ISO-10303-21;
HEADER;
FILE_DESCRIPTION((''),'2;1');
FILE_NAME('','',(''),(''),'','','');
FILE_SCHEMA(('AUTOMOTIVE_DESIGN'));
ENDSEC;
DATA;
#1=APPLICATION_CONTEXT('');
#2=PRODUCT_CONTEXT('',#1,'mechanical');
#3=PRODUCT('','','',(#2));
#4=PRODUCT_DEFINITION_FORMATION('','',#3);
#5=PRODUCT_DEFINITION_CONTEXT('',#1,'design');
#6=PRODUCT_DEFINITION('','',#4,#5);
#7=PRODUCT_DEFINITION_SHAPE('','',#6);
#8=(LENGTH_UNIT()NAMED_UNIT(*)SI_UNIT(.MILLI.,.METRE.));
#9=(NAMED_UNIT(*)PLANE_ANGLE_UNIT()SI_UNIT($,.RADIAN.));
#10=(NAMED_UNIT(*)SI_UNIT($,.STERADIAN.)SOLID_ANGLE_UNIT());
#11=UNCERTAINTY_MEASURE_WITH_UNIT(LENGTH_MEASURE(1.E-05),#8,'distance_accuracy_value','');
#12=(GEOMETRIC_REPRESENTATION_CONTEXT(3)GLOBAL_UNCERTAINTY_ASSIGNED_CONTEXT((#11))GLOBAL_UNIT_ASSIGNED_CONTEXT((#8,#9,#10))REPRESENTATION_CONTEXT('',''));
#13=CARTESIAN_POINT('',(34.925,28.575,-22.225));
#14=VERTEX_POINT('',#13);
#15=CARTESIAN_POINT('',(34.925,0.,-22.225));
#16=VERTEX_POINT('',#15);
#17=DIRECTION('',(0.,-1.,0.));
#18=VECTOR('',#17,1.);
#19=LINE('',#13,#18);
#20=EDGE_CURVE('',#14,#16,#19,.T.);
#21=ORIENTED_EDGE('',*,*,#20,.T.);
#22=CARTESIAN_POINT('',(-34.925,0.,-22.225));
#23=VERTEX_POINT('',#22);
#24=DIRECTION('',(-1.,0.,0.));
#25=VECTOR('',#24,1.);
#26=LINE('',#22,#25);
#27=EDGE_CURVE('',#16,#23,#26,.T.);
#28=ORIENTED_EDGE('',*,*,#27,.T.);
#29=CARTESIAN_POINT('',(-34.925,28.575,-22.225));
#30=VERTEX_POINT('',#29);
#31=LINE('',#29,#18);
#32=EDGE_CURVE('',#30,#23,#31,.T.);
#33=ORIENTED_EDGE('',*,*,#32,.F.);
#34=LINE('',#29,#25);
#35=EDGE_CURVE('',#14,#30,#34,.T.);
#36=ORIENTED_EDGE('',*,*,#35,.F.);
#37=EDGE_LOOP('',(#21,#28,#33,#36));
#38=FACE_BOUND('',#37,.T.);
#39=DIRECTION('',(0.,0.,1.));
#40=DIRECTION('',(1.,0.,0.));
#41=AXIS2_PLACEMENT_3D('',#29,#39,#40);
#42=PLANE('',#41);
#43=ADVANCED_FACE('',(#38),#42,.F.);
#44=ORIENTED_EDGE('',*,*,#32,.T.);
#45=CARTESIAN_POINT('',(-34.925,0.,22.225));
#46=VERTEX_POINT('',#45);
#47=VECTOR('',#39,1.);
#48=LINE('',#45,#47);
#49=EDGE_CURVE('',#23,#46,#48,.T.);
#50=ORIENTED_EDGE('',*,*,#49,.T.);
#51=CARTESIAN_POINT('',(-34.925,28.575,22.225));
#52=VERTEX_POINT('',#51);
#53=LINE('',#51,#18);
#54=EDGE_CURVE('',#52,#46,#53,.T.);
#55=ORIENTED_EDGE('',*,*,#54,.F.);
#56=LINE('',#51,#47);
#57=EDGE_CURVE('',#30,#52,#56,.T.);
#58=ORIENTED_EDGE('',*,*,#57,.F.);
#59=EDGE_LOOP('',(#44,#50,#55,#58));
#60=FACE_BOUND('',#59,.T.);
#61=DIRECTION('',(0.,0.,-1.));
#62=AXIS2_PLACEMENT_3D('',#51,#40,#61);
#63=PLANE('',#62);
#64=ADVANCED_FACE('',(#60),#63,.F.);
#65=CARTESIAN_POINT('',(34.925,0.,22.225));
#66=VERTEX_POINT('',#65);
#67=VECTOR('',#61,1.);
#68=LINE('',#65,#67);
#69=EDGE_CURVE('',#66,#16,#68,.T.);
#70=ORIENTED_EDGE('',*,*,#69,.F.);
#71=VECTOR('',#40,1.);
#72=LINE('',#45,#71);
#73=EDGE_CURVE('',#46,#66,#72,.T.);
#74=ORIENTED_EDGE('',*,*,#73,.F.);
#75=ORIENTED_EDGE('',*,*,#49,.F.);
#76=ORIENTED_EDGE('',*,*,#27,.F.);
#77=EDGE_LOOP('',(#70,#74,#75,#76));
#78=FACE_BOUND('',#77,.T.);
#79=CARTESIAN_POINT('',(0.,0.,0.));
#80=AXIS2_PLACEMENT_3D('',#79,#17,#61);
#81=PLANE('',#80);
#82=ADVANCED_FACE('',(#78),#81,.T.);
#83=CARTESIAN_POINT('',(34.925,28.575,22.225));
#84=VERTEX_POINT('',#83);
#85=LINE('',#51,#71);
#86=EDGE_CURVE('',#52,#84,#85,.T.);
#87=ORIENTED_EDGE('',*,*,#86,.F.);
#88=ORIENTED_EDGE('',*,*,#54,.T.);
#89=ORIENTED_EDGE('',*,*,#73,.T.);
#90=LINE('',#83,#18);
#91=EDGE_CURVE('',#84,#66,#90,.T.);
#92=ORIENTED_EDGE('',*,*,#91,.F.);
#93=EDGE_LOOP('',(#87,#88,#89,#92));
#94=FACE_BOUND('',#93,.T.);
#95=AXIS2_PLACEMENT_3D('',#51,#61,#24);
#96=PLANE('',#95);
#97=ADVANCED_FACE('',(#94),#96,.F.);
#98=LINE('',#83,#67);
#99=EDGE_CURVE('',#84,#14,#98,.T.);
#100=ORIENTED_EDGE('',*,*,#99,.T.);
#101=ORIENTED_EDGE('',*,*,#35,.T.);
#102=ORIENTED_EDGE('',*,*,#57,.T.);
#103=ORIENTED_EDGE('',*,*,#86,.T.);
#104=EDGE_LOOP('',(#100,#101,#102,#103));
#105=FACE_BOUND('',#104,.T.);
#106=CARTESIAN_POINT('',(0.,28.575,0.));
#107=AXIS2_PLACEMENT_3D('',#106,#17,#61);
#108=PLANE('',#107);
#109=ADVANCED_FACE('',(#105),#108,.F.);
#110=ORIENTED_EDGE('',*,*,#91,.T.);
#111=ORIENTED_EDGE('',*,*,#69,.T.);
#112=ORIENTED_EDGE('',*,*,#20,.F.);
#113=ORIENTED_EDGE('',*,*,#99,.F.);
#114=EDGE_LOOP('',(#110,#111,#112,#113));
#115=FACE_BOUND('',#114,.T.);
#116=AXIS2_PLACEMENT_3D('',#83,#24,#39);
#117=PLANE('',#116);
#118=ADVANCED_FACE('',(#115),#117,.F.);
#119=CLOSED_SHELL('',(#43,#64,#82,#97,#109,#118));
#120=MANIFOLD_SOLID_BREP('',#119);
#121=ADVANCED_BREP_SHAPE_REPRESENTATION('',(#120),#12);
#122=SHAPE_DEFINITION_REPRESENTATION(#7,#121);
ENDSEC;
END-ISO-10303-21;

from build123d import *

# Parameters (mm, degrees)
SKETCH1_W           = 69.85
SKETCH1_H           = 44.45
BOSS_EXTRUDE1_DEPTH = 28.575


with BuildPart() as part:
    # Sketch1 → Boss-Extrude1 (new body)
    with BuildSketch(Plane(origin=(0, 0, 0), x_dir=(1, 0, 0), z_dir=(0, 1, 0))):
        Rectangle(SKETCH1_W, SKETCH1_H)
    extrude(amount=BOSS_EXTRUDE1_DEPTH)


solid = part.part
